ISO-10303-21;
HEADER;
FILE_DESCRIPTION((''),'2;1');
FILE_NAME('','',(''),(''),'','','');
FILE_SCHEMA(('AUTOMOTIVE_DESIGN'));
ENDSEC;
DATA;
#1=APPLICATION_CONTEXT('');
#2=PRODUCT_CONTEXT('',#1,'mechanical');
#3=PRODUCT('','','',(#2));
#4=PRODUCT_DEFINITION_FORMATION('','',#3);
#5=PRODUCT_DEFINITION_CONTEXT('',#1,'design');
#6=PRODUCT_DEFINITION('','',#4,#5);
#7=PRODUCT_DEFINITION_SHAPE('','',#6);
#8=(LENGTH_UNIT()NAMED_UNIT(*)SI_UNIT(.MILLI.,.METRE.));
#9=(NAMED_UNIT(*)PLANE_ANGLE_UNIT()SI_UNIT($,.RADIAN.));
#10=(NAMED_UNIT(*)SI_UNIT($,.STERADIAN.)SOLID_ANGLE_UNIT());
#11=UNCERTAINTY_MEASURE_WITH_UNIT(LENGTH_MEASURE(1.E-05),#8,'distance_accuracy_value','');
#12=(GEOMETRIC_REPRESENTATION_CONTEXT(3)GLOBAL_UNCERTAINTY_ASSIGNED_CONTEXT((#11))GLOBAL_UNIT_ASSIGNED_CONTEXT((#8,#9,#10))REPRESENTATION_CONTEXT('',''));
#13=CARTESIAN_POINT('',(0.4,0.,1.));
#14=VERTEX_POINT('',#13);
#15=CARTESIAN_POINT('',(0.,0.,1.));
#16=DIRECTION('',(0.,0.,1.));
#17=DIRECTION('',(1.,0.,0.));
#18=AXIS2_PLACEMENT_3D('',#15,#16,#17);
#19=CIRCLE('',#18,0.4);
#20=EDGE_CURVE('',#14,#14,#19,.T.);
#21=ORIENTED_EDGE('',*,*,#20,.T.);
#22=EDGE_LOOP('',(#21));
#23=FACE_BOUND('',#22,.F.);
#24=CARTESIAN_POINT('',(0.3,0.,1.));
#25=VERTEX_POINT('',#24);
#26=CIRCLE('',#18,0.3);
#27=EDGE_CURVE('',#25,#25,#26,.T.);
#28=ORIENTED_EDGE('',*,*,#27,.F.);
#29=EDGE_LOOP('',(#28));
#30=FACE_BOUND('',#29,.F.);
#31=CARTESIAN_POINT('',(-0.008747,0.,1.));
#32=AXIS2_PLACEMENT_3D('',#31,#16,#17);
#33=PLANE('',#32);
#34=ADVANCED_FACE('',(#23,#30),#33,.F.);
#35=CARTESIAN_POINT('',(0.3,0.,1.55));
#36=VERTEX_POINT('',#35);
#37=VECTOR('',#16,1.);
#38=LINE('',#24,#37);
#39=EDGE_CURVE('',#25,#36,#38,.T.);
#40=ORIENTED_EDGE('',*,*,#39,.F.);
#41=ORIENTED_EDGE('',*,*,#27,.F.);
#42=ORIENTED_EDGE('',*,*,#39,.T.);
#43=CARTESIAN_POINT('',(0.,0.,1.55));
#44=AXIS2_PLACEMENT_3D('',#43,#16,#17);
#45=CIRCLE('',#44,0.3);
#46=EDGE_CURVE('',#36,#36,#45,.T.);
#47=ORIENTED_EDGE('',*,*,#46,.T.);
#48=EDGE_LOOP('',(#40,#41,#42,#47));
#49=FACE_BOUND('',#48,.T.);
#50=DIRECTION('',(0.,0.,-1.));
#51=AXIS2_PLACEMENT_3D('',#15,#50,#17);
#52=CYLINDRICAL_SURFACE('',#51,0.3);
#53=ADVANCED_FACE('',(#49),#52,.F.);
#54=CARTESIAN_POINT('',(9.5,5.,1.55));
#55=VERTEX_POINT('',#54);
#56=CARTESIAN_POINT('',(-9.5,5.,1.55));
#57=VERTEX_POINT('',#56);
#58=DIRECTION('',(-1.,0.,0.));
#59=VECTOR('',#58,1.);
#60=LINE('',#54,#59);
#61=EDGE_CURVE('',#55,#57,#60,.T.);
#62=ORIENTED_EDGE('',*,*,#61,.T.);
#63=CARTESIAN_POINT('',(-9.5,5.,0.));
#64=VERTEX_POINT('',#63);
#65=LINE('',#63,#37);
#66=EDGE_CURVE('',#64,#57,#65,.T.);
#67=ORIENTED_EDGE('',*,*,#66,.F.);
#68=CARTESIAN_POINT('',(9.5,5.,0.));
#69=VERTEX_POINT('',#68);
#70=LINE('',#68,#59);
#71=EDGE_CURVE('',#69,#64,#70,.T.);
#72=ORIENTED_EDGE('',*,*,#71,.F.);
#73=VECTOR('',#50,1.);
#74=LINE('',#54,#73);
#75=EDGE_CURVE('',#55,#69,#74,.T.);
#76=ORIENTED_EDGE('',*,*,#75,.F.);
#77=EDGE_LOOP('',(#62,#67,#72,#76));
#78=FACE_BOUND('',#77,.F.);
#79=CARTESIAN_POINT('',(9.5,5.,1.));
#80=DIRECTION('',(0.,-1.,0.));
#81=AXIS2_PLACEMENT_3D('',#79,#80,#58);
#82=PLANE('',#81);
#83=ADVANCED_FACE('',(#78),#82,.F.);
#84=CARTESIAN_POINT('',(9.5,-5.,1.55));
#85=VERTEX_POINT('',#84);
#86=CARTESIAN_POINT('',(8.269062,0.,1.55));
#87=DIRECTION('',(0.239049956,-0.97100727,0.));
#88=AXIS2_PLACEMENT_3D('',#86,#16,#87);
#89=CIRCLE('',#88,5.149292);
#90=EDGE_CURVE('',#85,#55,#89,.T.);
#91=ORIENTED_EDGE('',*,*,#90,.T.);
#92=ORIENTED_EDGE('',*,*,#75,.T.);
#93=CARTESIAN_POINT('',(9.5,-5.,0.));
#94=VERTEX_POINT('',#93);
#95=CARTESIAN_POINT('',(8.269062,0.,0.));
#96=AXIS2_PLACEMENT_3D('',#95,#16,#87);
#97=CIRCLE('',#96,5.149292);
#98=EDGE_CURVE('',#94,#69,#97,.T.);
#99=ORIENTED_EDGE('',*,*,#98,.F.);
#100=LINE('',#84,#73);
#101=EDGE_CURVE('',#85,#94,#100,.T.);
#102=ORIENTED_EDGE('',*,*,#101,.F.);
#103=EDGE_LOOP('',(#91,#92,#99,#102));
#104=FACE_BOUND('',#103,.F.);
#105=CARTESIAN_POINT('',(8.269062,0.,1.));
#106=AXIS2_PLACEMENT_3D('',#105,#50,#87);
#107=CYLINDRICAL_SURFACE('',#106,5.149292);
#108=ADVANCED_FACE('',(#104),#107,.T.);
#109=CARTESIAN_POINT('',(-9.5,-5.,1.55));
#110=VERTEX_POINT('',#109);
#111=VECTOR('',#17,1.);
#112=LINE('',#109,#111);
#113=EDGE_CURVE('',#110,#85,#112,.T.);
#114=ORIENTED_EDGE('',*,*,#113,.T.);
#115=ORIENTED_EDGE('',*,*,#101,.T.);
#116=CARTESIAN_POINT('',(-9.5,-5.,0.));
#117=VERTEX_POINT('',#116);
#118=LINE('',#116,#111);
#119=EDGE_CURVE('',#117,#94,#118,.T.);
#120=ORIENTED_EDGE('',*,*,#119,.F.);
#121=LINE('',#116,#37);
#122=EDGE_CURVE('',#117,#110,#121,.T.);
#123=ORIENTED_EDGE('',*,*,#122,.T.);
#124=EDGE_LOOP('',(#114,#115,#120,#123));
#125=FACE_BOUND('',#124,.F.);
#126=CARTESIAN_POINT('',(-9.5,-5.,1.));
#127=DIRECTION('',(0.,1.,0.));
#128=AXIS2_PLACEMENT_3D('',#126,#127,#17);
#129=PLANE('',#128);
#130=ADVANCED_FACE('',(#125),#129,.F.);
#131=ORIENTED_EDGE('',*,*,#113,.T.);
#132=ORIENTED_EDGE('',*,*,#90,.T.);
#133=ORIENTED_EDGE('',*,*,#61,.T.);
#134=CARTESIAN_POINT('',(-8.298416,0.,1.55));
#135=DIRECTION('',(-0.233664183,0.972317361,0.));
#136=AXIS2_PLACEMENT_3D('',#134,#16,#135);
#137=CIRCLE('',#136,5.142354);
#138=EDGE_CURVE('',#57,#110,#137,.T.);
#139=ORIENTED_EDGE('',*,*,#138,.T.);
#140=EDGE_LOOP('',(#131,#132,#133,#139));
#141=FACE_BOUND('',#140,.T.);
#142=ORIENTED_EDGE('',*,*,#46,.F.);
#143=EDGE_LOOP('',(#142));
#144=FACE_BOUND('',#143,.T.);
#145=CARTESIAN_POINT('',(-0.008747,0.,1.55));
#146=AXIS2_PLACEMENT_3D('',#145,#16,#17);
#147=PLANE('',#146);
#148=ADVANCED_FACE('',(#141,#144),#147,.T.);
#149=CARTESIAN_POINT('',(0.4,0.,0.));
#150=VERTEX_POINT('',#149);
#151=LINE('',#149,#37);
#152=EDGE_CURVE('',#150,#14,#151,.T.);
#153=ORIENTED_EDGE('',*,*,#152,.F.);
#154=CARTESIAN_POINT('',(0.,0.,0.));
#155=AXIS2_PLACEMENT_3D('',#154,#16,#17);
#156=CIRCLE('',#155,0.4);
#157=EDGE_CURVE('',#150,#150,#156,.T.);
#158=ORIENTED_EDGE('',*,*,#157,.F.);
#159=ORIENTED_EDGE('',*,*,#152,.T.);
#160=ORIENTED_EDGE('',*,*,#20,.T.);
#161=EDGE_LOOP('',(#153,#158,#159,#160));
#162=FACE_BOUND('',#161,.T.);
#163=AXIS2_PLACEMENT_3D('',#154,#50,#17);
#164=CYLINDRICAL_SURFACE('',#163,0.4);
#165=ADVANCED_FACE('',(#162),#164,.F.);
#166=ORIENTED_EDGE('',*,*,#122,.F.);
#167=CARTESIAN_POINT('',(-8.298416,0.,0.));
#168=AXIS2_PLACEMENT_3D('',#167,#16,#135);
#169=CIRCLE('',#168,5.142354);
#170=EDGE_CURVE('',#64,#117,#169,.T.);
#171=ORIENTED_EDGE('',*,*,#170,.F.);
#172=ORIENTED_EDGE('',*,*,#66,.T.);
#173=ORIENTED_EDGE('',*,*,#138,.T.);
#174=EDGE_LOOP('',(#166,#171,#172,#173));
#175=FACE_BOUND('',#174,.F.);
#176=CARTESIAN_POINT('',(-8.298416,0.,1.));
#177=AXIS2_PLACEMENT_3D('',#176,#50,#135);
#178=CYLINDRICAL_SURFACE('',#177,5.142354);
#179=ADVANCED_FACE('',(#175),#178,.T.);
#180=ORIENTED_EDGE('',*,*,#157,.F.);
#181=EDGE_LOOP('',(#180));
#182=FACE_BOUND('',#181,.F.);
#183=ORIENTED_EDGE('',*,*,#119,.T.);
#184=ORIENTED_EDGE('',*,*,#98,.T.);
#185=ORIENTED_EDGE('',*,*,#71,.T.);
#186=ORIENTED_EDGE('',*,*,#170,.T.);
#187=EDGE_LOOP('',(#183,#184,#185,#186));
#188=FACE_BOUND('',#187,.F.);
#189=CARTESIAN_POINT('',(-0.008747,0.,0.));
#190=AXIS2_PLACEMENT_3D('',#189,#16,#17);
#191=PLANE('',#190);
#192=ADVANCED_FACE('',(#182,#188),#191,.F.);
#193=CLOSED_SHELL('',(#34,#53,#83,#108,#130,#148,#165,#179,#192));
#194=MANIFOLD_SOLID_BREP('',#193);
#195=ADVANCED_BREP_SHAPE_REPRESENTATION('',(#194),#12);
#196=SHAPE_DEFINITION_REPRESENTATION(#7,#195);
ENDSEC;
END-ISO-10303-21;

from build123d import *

# Parameters (mm, degrees)
F0_R     = 0.4
F1_DEPTH = 1
F2_R     = 0.3
F3_DEPTH = 0.55


with BuildPart() as f1:
    # F0 (on Top) → F1 (new body)
    with BuildSketch(Plane.XY):
        with BuildLine():
            Line((-9.5, -5), (9.5, -5))
            ThreePointArc((9.5, -5), (13.418354, 0), (9.5, 5))
            Line((9.5, 5), (-9.5, 5))
            ThreePointArc((-9.5, 5), (-13.44077, 0), (-9.5, -5))
        make_face()
        Circle(F0_R, mode=Mode.SUBTRACT)
    extrude(amount=F1_DEPTH)

    # F2 (on face) → F3 (join)
    with BuildSketch(Plane.XY.offset(1)):
        with BuildLine():
            Line((9.5, 5), (-9.5, 5))
            ThreePointArc((-9.5, 5), (-13.44077, 0), (-9.5, -5))
            Line((-9.5, -5), (9.5, -5))
            ThreePointArc((9.5, -5), (13.418354, 0), (9.5, 5))
        make_face()
        Circle(F2_R, mode=Mode.SUBTRACT)
    extrude(amount=F3_DEPTH)


solid = f1.part
